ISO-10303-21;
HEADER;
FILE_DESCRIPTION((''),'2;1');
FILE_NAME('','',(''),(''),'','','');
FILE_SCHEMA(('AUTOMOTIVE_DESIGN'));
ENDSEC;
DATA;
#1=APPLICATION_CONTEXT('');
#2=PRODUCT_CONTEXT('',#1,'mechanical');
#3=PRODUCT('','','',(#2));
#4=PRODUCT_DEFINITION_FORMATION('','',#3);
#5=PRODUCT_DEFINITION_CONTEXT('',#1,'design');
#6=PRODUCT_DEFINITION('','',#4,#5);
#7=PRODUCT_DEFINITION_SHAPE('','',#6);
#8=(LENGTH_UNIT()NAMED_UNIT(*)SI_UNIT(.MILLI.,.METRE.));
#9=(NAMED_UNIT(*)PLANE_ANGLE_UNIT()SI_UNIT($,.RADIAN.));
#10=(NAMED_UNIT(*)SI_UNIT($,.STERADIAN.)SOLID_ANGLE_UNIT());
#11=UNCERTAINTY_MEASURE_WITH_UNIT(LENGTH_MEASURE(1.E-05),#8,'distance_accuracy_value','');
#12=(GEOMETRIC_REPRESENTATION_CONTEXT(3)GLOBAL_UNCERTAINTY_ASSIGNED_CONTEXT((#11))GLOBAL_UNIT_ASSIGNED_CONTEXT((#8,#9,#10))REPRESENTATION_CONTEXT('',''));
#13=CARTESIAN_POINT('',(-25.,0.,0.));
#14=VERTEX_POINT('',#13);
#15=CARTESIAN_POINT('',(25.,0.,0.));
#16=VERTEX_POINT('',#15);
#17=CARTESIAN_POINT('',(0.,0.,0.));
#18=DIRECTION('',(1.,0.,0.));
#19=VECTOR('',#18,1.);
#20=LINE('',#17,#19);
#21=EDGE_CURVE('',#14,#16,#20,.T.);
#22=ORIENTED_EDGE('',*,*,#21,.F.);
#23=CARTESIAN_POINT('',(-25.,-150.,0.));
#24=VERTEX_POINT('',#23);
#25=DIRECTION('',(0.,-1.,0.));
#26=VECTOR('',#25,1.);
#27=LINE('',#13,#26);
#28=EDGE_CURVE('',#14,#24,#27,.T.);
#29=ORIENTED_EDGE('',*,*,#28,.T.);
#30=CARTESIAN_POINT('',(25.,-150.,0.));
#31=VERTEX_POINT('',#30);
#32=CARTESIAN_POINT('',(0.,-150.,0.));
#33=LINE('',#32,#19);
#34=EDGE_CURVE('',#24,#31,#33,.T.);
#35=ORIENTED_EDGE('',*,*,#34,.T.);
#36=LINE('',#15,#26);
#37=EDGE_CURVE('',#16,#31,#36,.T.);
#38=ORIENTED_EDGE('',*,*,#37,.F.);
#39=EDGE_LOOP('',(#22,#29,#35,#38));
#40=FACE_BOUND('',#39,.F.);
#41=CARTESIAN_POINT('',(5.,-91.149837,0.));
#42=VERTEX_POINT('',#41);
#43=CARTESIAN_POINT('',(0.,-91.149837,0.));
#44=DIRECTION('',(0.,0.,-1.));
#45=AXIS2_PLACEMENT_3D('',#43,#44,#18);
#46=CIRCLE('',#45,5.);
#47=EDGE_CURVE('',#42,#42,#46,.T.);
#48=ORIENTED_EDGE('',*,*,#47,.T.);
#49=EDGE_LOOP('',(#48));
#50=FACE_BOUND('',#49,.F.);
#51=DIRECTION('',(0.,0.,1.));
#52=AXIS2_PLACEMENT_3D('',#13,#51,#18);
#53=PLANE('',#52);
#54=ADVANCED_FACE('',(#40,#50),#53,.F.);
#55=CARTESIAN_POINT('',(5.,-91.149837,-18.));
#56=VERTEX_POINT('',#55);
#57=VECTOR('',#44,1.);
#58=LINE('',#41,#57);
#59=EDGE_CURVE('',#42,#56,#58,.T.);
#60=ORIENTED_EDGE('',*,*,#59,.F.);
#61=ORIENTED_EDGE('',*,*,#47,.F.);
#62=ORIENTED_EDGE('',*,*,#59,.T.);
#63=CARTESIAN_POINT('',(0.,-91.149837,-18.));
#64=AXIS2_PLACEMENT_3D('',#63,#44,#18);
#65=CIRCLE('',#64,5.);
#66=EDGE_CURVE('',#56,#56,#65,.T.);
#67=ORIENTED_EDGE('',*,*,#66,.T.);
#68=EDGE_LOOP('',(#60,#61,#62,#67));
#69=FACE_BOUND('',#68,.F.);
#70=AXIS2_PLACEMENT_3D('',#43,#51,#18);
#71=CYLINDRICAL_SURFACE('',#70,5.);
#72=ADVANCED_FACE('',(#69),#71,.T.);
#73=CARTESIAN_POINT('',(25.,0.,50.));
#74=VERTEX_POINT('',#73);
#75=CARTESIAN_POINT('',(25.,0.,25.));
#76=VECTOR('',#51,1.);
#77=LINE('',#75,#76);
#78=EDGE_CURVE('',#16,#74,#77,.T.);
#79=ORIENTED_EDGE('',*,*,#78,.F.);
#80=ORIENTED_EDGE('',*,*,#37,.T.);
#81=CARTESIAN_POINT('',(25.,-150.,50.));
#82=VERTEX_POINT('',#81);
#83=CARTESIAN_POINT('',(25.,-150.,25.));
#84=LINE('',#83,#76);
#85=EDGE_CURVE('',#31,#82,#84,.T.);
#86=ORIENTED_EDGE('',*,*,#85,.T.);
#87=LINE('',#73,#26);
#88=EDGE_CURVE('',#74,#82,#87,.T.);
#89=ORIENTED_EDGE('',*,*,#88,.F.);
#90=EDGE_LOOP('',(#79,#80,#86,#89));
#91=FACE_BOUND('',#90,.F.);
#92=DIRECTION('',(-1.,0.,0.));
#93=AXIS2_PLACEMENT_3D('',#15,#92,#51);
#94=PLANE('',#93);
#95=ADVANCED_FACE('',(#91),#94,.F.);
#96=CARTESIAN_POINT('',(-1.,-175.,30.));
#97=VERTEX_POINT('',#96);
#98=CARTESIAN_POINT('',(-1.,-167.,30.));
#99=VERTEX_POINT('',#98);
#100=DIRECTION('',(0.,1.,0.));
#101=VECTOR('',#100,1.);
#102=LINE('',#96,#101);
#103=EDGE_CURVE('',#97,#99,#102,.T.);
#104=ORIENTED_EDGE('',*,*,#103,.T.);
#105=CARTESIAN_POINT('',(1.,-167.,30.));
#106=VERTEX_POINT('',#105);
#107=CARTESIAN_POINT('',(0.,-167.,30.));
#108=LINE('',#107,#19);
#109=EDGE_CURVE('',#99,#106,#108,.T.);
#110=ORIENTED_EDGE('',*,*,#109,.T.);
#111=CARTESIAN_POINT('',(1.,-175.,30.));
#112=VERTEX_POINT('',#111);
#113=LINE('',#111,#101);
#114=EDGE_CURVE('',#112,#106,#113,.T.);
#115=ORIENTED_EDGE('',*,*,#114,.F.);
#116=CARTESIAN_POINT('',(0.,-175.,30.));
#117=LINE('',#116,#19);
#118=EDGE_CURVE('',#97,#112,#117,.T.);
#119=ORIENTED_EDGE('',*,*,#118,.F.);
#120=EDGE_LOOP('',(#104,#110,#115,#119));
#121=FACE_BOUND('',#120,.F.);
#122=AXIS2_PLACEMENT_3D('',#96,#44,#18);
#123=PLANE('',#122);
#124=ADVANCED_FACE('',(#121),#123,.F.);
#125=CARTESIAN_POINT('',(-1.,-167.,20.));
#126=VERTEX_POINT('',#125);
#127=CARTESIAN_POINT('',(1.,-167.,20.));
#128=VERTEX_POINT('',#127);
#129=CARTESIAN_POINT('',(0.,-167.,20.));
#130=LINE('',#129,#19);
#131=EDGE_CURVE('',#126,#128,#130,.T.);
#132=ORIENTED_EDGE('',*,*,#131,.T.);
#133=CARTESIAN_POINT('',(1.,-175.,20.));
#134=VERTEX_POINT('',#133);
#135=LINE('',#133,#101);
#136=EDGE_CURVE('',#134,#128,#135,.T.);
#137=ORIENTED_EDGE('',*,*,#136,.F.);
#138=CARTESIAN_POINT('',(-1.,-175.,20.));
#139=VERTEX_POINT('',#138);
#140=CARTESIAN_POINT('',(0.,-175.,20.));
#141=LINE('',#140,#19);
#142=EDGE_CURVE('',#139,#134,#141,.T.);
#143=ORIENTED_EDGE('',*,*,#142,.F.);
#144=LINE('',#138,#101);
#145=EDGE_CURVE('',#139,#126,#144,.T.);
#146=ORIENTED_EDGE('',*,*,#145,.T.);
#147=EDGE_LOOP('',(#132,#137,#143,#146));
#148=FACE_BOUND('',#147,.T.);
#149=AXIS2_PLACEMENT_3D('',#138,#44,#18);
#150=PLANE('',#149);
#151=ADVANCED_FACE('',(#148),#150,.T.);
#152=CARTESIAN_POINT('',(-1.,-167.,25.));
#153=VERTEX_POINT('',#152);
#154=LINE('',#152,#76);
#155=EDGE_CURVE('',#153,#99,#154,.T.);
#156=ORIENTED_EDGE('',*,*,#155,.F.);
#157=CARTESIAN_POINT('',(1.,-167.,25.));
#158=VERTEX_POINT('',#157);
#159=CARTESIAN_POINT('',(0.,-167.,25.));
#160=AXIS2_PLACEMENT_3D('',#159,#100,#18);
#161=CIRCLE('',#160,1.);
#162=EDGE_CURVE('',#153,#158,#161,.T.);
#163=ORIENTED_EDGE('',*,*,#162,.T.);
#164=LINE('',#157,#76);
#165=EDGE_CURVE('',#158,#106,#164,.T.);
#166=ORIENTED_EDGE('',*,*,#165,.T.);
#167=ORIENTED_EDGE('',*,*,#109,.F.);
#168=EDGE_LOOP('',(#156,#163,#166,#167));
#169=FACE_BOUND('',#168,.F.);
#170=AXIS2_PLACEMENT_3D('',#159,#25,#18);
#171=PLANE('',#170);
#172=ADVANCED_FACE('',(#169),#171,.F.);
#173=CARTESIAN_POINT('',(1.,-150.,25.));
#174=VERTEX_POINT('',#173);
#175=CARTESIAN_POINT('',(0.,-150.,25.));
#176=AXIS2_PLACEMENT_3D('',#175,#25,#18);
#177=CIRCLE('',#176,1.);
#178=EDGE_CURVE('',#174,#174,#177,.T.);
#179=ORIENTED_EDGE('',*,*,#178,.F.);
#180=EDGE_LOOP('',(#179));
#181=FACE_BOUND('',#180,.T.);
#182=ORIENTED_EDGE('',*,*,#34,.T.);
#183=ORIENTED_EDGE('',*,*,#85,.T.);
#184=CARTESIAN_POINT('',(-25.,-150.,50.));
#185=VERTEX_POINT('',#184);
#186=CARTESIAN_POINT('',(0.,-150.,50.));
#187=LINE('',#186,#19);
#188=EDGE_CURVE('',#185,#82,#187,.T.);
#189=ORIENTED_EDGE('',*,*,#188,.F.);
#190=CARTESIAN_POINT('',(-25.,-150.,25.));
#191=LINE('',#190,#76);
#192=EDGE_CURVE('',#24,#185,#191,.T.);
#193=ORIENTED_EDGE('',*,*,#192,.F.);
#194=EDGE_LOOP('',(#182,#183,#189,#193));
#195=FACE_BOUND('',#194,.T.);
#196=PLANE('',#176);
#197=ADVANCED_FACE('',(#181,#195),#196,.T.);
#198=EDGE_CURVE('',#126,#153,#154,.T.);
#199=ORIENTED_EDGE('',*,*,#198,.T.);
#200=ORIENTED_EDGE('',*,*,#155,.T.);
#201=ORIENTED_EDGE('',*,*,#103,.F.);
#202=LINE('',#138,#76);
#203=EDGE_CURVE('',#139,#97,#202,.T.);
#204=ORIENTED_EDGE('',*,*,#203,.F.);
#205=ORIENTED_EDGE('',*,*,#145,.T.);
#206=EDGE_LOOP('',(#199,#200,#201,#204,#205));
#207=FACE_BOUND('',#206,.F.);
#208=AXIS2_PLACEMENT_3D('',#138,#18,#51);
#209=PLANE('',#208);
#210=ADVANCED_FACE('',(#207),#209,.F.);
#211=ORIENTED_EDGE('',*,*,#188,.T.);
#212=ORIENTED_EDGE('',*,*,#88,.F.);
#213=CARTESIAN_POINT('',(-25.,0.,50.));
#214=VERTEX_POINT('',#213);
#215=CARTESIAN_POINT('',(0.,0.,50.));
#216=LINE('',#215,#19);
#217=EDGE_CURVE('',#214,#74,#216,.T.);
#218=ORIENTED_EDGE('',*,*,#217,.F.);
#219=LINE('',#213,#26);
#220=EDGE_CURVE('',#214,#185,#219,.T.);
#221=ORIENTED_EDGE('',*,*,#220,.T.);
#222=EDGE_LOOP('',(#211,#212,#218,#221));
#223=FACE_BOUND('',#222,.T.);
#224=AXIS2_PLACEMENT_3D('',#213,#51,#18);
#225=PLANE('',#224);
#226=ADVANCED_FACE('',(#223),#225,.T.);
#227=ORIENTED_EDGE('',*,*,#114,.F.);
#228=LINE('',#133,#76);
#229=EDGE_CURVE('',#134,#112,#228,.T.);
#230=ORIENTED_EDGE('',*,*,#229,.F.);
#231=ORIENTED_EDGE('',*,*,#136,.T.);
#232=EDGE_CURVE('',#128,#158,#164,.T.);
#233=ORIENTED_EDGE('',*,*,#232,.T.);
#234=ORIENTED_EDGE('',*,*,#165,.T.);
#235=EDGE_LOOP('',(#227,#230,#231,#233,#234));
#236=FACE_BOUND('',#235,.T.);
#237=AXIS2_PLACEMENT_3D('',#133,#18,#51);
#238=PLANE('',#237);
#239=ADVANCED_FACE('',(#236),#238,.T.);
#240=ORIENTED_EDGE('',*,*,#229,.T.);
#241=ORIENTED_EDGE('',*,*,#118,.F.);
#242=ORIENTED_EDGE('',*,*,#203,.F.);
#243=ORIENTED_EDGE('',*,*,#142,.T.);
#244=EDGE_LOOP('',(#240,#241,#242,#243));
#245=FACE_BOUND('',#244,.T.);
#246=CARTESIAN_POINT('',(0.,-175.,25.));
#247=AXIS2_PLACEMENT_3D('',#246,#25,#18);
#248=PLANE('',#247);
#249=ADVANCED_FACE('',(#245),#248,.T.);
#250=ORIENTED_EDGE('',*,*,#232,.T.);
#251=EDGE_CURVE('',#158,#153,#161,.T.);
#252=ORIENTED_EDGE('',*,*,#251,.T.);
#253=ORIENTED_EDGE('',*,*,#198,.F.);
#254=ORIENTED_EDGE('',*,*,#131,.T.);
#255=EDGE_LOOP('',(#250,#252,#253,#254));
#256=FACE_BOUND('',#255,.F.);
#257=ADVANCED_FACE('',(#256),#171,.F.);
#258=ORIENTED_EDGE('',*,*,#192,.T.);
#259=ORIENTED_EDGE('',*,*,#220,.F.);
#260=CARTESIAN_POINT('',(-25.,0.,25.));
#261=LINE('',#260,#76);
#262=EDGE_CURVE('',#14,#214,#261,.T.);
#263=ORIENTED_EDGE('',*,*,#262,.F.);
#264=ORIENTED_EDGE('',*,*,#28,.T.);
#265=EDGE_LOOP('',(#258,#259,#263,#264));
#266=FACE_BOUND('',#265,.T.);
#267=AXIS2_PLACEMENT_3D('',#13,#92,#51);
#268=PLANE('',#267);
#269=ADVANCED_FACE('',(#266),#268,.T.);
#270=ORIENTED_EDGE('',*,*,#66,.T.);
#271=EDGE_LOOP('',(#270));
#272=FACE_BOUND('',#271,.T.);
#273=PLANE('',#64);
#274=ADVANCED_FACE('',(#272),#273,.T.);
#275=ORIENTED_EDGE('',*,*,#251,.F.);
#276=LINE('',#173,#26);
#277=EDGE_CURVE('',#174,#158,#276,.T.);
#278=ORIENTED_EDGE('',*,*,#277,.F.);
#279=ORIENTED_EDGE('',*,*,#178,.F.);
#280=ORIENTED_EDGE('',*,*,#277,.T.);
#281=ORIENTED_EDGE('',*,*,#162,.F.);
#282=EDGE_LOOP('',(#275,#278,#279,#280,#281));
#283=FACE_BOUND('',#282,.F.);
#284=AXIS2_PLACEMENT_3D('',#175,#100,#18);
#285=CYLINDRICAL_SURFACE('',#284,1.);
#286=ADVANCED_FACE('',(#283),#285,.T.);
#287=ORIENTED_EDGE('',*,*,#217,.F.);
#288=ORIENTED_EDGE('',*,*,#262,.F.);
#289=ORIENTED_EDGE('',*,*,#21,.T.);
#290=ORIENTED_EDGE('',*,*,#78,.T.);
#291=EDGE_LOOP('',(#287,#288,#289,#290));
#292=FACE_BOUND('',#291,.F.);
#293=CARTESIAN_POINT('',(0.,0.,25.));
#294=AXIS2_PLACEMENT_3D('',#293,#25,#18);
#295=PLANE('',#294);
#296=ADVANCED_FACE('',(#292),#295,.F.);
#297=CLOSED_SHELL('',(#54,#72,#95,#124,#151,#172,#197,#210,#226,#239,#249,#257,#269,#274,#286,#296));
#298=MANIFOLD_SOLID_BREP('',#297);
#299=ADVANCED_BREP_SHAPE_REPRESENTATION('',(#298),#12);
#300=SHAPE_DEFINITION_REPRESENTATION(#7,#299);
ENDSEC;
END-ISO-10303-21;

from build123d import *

# Parameters (mm, degrees)
F0_W     = 50
F0_H     = 50
F1_DEPTH = 150
F2_R     = 1
F3_DEPTH = 25
F4_W     = 2
F4_H     = 10
F5_DEPTH = 8
F6_R     = 5
F7_DEPTH = 18


with BuildPart() as f1:
    # F0 (on Front) → F1 (new body)
    with BuildSketch(Plane.XZ):
        with Locations((0, 25)):
            Rectangle(F0_W, F0_H)
    extrude(amount=F1_DEPTH)

    # F2 (on face) → F3 (join)
    with BuildSketch(Plane.XZ.offset(150)):
        with Locations((0, 25)):
            Circle(F2_R)
    extrude(amount=F3_DEPTH)

    # F4 (on face) → F5 (join)
    with BuildSketch(Plane.XZ.offset(175)):
        with Locations((0, 25)):
            Rectangle(F4_W, F4_H)
    extrude(amount=-F5_DEPTH)

    # F6 (on face) → F7 (join)
    with BuildSketch(Plane(origin=(0, 0, 0), x_dir=(1, 0, 0), z_dir=(0, 0, -1))):
        with Locations((0, 91.149837)):
            Circle(F6_R)
    extrude(amount=F7_DEPTH)


solid = f1.part
